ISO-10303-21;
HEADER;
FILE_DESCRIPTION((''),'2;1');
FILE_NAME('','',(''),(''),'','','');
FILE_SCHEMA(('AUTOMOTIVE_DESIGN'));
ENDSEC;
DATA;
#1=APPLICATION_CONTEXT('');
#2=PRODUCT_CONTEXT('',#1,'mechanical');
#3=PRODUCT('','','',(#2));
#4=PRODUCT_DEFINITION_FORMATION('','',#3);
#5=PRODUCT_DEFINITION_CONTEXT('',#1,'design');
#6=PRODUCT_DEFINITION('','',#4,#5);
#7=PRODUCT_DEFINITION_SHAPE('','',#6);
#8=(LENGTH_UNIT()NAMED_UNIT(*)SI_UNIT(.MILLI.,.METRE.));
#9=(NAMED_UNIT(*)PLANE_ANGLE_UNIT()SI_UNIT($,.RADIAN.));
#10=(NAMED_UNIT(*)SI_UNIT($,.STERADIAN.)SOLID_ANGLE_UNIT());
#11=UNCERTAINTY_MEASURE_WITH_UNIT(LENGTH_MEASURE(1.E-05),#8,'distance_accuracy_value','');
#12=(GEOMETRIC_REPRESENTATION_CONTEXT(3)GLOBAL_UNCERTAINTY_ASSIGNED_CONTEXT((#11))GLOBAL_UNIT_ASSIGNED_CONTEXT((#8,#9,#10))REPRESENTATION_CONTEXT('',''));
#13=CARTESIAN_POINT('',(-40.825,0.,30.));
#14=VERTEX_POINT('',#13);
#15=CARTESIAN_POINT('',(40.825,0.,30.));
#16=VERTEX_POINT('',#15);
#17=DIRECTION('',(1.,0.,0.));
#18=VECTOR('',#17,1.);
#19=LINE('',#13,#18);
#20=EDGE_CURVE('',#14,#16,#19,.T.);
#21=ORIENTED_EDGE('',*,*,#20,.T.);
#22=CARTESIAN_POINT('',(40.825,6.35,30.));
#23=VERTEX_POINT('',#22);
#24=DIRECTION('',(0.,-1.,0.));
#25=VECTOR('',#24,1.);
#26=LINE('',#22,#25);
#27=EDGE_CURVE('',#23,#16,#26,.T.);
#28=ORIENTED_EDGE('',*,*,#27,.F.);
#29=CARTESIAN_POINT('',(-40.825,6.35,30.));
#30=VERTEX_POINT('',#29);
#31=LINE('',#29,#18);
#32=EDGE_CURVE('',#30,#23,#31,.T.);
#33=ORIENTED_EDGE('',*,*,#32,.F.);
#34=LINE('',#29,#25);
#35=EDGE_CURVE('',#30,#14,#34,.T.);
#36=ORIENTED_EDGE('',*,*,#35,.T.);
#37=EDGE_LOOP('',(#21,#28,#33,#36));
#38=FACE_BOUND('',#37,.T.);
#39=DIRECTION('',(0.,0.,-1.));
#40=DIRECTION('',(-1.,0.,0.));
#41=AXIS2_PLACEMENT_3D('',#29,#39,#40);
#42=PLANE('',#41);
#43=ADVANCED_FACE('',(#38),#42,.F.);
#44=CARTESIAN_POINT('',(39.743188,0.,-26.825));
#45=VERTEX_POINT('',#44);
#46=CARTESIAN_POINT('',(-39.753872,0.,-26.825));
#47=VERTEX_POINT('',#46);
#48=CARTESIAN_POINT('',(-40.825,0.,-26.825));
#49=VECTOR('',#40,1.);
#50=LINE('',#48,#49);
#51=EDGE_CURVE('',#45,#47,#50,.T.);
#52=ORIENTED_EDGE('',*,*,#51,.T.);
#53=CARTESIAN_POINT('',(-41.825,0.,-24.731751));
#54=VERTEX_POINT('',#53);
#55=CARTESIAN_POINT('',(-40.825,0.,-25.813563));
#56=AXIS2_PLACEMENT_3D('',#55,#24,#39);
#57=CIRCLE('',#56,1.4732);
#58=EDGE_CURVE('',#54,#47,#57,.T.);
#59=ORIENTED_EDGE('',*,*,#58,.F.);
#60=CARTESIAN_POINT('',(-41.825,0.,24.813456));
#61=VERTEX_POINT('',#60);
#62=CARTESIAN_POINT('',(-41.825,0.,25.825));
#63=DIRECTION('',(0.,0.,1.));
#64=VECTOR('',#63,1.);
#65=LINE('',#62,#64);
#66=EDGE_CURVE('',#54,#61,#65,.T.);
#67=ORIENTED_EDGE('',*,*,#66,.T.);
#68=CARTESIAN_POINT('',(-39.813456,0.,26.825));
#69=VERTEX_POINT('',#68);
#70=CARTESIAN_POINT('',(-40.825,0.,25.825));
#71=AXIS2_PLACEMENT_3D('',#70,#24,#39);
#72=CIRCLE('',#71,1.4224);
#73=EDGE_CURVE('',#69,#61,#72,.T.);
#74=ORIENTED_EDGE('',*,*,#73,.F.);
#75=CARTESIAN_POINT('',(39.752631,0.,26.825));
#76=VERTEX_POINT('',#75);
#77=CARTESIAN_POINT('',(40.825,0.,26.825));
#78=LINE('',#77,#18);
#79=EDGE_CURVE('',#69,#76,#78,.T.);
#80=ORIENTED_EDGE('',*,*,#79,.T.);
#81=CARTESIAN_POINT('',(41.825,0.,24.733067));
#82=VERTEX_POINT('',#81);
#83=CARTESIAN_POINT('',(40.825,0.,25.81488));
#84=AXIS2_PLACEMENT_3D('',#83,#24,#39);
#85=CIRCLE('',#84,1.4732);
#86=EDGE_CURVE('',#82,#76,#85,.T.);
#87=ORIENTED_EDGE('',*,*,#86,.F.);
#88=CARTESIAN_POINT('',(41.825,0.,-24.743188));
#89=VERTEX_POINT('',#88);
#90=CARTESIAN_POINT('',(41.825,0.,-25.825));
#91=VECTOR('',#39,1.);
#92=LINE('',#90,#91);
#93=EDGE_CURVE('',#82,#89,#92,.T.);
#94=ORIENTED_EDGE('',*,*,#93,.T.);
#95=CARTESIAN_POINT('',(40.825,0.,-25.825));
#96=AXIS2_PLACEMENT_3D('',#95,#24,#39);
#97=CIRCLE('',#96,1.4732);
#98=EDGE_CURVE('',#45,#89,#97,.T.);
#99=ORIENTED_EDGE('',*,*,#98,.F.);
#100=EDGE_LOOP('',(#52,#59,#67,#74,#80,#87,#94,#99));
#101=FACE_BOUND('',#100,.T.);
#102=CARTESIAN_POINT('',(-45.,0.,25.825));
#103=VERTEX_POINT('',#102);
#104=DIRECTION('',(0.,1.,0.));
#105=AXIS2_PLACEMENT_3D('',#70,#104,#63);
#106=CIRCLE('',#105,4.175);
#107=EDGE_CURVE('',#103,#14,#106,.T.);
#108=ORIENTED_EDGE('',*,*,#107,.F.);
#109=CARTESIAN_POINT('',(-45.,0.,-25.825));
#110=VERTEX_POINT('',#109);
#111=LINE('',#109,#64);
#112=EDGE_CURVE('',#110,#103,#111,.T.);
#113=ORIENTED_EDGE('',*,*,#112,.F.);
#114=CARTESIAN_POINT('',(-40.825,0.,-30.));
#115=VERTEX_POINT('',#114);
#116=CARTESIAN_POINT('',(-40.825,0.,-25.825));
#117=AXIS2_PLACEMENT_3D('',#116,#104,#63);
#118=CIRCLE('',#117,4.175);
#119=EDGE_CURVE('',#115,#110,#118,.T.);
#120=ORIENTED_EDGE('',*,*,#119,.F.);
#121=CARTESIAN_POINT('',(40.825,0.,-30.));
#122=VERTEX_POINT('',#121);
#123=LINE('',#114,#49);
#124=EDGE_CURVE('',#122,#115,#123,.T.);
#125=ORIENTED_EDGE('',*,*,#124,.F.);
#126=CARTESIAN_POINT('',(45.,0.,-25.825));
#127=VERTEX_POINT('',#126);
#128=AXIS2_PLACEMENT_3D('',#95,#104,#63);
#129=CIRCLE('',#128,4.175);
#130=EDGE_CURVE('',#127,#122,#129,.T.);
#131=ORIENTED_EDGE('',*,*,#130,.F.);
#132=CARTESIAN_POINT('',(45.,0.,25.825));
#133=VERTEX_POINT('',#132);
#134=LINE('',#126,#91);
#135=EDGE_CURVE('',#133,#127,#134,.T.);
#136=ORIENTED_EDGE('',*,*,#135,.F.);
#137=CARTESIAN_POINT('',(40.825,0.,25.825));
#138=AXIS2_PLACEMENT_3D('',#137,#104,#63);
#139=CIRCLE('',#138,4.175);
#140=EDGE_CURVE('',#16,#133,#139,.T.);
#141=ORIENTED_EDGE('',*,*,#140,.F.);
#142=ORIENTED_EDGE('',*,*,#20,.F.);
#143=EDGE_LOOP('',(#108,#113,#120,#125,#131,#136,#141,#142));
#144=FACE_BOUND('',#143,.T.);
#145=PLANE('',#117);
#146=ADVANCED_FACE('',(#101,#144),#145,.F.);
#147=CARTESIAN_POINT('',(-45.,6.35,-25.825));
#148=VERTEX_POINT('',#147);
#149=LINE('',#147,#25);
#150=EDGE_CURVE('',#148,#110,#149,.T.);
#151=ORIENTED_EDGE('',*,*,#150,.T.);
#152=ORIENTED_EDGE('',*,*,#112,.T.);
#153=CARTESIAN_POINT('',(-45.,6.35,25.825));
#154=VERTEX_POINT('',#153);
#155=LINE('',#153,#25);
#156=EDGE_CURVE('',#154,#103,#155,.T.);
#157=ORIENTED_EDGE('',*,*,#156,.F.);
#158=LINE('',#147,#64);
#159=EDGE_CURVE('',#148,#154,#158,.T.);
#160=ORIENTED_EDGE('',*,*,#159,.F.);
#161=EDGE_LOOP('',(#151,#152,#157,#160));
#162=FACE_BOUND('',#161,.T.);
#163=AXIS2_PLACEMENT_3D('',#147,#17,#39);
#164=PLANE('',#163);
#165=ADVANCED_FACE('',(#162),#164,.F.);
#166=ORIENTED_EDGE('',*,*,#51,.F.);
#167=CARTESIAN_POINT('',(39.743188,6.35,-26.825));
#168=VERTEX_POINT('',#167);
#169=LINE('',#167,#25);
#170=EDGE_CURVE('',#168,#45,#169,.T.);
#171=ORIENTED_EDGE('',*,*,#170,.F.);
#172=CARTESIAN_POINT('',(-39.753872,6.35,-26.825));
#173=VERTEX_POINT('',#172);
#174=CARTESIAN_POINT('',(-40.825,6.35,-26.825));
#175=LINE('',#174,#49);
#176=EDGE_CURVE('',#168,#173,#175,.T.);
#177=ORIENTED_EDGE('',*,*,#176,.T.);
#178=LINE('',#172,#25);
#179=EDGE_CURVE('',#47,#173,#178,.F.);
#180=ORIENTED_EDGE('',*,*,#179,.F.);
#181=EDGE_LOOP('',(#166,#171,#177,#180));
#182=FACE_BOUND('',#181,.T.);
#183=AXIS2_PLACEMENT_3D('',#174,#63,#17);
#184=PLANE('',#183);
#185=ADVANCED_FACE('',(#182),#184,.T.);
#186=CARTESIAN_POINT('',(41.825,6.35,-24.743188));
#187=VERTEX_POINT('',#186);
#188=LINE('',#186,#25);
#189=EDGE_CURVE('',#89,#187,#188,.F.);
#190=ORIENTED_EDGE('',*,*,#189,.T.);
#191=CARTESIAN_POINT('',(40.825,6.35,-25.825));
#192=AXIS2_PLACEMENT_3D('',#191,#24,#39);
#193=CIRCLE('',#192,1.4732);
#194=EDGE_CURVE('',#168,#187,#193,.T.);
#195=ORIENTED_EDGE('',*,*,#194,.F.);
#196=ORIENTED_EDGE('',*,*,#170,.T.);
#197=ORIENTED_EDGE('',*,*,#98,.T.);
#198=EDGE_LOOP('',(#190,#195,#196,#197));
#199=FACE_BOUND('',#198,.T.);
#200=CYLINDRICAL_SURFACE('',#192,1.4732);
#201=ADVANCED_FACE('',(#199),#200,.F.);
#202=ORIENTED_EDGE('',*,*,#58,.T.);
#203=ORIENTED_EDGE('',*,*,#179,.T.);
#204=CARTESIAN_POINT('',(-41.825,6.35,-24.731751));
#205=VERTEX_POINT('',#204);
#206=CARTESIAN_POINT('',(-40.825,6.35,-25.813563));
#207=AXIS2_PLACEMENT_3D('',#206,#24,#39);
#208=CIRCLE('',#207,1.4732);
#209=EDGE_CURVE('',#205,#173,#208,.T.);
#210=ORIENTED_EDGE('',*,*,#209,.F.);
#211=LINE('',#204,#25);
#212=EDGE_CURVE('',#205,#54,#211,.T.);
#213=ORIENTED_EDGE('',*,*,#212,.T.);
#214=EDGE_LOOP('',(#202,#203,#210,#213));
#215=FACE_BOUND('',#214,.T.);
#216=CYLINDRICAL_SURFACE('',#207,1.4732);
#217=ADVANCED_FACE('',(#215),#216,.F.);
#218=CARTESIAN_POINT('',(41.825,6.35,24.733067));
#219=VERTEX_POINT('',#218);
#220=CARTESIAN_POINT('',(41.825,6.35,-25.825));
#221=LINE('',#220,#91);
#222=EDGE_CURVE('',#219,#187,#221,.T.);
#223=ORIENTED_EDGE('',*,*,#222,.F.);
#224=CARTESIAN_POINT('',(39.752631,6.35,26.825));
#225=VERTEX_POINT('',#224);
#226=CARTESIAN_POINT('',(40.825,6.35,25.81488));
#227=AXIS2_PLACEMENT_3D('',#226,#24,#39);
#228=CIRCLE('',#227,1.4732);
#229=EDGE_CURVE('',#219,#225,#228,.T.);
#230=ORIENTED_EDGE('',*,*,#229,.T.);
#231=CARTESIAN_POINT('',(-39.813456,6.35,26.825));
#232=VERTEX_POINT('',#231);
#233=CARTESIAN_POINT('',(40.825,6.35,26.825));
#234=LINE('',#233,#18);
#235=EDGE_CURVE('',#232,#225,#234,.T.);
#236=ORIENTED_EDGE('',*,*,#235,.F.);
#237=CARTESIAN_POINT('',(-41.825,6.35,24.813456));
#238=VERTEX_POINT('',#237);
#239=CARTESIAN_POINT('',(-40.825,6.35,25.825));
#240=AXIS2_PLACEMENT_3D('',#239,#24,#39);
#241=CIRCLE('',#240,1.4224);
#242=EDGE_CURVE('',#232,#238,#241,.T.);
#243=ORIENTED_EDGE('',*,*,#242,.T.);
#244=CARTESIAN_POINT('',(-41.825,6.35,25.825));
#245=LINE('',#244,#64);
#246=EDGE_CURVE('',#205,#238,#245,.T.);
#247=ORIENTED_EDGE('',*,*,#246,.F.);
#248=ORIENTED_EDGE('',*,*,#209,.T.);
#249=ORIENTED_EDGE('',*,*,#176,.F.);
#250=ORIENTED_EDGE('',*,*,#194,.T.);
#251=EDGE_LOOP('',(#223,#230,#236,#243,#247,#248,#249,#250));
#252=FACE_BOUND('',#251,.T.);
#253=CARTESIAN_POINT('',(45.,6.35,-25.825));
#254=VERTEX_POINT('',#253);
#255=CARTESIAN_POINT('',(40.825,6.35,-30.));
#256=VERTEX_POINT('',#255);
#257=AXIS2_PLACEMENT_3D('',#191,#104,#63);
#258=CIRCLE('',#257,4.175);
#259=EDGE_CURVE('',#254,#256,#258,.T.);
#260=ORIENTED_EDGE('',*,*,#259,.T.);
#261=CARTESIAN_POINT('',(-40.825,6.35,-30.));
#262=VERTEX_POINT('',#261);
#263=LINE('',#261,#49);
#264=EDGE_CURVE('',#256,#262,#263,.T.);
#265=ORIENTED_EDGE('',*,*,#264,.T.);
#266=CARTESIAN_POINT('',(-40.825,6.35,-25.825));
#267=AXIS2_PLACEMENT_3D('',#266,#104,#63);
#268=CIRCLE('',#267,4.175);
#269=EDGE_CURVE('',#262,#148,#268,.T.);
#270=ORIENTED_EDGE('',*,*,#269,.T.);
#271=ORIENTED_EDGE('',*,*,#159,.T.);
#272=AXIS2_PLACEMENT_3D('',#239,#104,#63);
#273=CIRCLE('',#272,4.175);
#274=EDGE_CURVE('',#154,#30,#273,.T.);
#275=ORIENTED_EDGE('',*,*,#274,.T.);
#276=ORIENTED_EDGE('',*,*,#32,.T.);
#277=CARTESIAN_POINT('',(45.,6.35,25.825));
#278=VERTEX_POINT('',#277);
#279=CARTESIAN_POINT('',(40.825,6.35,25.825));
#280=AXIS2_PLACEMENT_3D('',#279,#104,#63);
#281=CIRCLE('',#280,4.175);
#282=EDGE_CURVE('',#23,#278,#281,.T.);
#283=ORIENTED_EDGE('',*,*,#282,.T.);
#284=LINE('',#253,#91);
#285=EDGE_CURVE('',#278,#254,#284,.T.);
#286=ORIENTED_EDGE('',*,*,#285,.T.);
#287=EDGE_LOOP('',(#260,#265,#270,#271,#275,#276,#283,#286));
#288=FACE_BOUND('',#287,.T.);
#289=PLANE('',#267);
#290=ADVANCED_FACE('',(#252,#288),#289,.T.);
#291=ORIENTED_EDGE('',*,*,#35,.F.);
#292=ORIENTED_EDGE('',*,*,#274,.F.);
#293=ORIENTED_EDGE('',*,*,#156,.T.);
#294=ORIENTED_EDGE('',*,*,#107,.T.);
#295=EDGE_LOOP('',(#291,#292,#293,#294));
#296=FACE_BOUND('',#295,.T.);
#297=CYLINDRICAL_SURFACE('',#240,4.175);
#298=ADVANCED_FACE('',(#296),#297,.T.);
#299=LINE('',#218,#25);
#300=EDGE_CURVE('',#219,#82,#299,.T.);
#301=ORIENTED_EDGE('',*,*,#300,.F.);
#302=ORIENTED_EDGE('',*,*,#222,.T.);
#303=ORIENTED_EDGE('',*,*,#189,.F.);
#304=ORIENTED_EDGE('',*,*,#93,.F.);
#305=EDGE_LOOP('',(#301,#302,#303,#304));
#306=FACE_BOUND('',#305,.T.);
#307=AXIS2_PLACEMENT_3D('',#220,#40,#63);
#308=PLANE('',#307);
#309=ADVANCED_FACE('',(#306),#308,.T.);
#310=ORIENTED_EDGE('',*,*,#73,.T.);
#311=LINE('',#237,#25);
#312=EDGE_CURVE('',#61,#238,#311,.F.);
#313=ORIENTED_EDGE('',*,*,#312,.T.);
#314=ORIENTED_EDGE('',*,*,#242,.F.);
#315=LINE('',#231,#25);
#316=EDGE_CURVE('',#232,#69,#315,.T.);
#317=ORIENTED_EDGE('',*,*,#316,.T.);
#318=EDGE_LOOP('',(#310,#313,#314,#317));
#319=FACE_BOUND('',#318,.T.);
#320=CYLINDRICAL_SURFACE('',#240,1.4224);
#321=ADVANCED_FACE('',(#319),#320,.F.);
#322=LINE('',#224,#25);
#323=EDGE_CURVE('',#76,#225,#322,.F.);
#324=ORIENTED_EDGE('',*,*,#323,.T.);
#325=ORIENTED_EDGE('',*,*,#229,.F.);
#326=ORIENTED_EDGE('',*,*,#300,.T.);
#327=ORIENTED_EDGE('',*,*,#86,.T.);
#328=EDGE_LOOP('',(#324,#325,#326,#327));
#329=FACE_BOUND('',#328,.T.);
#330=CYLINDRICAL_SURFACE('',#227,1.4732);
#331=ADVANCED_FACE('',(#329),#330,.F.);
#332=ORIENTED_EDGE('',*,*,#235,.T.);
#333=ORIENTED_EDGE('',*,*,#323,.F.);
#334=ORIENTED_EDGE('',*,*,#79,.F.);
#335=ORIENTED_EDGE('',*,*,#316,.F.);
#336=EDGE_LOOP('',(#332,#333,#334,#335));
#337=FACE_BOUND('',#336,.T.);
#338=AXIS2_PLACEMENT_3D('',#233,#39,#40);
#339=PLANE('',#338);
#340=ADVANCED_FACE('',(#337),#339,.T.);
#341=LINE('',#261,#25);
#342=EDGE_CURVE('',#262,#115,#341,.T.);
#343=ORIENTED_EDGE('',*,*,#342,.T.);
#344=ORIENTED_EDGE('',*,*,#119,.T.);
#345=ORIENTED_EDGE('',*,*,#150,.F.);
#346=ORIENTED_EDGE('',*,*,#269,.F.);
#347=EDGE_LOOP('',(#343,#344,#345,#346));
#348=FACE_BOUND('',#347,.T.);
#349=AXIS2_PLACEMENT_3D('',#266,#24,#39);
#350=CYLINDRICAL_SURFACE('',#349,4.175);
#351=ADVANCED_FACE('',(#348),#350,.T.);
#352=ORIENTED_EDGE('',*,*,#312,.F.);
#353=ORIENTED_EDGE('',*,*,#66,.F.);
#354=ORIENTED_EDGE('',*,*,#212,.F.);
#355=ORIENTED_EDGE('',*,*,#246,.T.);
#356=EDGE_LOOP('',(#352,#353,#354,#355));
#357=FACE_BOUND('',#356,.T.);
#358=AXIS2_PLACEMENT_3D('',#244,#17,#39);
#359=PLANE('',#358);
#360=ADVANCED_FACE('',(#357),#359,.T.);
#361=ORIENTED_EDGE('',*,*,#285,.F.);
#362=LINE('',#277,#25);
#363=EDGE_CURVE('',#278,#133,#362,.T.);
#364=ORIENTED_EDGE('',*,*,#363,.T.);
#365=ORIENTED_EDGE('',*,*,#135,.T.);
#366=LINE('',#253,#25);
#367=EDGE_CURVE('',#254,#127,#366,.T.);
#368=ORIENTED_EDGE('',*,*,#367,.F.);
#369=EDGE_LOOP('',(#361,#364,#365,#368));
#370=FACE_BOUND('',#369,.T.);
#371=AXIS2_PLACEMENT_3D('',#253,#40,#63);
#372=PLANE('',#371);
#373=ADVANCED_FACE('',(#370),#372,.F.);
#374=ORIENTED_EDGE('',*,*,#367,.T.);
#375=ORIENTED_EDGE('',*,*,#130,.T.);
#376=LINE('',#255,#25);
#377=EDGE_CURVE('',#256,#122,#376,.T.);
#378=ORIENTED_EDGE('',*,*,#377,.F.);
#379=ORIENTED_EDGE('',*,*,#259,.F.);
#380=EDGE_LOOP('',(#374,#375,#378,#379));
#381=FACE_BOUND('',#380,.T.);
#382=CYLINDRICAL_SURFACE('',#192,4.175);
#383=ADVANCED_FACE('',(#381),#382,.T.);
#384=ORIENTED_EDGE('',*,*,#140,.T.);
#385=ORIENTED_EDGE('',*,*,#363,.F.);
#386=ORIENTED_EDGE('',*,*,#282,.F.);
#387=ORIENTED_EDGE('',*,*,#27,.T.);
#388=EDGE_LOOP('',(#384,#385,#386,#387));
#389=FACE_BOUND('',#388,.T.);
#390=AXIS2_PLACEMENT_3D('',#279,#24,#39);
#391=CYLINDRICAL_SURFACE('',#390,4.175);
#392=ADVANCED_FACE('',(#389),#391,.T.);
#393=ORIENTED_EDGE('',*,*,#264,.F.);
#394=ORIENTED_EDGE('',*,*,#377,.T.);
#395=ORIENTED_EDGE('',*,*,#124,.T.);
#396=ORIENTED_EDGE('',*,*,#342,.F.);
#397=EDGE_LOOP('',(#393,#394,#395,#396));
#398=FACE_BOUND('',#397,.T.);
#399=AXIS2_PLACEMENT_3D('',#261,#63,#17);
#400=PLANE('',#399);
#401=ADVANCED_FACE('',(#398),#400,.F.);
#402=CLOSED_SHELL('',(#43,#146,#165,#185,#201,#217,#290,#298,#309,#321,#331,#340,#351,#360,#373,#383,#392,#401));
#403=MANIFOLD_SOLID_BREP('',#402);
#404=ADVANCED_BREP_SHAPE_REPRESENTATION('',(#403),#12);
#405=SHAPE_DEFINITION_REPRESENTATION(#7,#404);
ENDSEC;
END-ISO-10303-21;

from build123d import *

# Parameters (mm, degrees)
BOSS_EXTRUDE3_DEPTH = 6.35
SKETCH5_R           = 1.4224
SKETCH5_R_2         = 1.4732
CUT_EXTRUDE2_DEPTH  = 55.454774814


with BuildPart() as part:
    # Sketch2 → Boss-Extrude3 (new body)
    with BuildSketch(Plane(origin=(0, 0, 0), x_dir=(1, 0, 0), z_dir=(0, 1, 0))):
        with BuildLine():
            Line((-45, 25.825), (-45, -25.825))
            ThreePointArc((-45, -25.825), (-43.777170811, -28.777170811), (-40.825, -30))
            Line((-40.825, -30), (40.825, -30))
            ThreePointArc((40.825, -30), (43.777170811, -28.777170811), (45, -25.825))
            Line((45, -25.825), (45, 25.825))
            ThreePointArc((45, 25.825), (43.777170811, 28.777170811), (40.825, 30))
            Line((40.825, 30), (-40.825, 30))
            ThreePointArc((-40.825, 30), (-43.777170811, 28.777170811), (-45, 25.825))
        make_face()
        with BuildLine():
            Line((-41.825, -25.825), (-41.825, 25.825))
            ThreePointArc((-41.825, 25.825), (-41.532106781, 26.532106781), (-40.825, 26.825))
            Line((-40.825, 26.825), (40.825, 26.825))
            ThreePointArc((40.825, 26.825), (41.532106781, 26.532106781), (41.825, 25.825))
            Line((41.825, 25.825), (41.825, -25.825))
            ThreePointArc((41.825, -25.825), (41.532106781, -26.532106781), (40.825, -26.825))
            Line((40.825, -26.825), (-40.825, -26.825))
            ThreePointArc((-40.825, -26.825), (-41.532106781, -26.532106781), (-41.825, -25.825))
        make_face(mode=Mode.SUBTRACT)
    extrude(amount=BOSS_EXTRUDE3_DEPTH)

    # Sketch5 → Cut-Extrude2 (cut, through all)
    with BuildSketch(Plane.XZ):
        with Locations((-40.825, 25.825)):
            Circle(SKETCH5_R)
        with Locations((40.825, 25.81487963)):
            Circle(SKETCH5_R_2)
        with Locations((40.825, -25.825)):
            Circle(SKETCH5_R_2)
        with Locations((-40.825, -25.81356336)):
            Circle(SKETCH5_R_2)
    extrude(amount=-CUT_EXTRUDE2_DEPTH, mode=Mode.SUBTRACT)


solid = part.part
